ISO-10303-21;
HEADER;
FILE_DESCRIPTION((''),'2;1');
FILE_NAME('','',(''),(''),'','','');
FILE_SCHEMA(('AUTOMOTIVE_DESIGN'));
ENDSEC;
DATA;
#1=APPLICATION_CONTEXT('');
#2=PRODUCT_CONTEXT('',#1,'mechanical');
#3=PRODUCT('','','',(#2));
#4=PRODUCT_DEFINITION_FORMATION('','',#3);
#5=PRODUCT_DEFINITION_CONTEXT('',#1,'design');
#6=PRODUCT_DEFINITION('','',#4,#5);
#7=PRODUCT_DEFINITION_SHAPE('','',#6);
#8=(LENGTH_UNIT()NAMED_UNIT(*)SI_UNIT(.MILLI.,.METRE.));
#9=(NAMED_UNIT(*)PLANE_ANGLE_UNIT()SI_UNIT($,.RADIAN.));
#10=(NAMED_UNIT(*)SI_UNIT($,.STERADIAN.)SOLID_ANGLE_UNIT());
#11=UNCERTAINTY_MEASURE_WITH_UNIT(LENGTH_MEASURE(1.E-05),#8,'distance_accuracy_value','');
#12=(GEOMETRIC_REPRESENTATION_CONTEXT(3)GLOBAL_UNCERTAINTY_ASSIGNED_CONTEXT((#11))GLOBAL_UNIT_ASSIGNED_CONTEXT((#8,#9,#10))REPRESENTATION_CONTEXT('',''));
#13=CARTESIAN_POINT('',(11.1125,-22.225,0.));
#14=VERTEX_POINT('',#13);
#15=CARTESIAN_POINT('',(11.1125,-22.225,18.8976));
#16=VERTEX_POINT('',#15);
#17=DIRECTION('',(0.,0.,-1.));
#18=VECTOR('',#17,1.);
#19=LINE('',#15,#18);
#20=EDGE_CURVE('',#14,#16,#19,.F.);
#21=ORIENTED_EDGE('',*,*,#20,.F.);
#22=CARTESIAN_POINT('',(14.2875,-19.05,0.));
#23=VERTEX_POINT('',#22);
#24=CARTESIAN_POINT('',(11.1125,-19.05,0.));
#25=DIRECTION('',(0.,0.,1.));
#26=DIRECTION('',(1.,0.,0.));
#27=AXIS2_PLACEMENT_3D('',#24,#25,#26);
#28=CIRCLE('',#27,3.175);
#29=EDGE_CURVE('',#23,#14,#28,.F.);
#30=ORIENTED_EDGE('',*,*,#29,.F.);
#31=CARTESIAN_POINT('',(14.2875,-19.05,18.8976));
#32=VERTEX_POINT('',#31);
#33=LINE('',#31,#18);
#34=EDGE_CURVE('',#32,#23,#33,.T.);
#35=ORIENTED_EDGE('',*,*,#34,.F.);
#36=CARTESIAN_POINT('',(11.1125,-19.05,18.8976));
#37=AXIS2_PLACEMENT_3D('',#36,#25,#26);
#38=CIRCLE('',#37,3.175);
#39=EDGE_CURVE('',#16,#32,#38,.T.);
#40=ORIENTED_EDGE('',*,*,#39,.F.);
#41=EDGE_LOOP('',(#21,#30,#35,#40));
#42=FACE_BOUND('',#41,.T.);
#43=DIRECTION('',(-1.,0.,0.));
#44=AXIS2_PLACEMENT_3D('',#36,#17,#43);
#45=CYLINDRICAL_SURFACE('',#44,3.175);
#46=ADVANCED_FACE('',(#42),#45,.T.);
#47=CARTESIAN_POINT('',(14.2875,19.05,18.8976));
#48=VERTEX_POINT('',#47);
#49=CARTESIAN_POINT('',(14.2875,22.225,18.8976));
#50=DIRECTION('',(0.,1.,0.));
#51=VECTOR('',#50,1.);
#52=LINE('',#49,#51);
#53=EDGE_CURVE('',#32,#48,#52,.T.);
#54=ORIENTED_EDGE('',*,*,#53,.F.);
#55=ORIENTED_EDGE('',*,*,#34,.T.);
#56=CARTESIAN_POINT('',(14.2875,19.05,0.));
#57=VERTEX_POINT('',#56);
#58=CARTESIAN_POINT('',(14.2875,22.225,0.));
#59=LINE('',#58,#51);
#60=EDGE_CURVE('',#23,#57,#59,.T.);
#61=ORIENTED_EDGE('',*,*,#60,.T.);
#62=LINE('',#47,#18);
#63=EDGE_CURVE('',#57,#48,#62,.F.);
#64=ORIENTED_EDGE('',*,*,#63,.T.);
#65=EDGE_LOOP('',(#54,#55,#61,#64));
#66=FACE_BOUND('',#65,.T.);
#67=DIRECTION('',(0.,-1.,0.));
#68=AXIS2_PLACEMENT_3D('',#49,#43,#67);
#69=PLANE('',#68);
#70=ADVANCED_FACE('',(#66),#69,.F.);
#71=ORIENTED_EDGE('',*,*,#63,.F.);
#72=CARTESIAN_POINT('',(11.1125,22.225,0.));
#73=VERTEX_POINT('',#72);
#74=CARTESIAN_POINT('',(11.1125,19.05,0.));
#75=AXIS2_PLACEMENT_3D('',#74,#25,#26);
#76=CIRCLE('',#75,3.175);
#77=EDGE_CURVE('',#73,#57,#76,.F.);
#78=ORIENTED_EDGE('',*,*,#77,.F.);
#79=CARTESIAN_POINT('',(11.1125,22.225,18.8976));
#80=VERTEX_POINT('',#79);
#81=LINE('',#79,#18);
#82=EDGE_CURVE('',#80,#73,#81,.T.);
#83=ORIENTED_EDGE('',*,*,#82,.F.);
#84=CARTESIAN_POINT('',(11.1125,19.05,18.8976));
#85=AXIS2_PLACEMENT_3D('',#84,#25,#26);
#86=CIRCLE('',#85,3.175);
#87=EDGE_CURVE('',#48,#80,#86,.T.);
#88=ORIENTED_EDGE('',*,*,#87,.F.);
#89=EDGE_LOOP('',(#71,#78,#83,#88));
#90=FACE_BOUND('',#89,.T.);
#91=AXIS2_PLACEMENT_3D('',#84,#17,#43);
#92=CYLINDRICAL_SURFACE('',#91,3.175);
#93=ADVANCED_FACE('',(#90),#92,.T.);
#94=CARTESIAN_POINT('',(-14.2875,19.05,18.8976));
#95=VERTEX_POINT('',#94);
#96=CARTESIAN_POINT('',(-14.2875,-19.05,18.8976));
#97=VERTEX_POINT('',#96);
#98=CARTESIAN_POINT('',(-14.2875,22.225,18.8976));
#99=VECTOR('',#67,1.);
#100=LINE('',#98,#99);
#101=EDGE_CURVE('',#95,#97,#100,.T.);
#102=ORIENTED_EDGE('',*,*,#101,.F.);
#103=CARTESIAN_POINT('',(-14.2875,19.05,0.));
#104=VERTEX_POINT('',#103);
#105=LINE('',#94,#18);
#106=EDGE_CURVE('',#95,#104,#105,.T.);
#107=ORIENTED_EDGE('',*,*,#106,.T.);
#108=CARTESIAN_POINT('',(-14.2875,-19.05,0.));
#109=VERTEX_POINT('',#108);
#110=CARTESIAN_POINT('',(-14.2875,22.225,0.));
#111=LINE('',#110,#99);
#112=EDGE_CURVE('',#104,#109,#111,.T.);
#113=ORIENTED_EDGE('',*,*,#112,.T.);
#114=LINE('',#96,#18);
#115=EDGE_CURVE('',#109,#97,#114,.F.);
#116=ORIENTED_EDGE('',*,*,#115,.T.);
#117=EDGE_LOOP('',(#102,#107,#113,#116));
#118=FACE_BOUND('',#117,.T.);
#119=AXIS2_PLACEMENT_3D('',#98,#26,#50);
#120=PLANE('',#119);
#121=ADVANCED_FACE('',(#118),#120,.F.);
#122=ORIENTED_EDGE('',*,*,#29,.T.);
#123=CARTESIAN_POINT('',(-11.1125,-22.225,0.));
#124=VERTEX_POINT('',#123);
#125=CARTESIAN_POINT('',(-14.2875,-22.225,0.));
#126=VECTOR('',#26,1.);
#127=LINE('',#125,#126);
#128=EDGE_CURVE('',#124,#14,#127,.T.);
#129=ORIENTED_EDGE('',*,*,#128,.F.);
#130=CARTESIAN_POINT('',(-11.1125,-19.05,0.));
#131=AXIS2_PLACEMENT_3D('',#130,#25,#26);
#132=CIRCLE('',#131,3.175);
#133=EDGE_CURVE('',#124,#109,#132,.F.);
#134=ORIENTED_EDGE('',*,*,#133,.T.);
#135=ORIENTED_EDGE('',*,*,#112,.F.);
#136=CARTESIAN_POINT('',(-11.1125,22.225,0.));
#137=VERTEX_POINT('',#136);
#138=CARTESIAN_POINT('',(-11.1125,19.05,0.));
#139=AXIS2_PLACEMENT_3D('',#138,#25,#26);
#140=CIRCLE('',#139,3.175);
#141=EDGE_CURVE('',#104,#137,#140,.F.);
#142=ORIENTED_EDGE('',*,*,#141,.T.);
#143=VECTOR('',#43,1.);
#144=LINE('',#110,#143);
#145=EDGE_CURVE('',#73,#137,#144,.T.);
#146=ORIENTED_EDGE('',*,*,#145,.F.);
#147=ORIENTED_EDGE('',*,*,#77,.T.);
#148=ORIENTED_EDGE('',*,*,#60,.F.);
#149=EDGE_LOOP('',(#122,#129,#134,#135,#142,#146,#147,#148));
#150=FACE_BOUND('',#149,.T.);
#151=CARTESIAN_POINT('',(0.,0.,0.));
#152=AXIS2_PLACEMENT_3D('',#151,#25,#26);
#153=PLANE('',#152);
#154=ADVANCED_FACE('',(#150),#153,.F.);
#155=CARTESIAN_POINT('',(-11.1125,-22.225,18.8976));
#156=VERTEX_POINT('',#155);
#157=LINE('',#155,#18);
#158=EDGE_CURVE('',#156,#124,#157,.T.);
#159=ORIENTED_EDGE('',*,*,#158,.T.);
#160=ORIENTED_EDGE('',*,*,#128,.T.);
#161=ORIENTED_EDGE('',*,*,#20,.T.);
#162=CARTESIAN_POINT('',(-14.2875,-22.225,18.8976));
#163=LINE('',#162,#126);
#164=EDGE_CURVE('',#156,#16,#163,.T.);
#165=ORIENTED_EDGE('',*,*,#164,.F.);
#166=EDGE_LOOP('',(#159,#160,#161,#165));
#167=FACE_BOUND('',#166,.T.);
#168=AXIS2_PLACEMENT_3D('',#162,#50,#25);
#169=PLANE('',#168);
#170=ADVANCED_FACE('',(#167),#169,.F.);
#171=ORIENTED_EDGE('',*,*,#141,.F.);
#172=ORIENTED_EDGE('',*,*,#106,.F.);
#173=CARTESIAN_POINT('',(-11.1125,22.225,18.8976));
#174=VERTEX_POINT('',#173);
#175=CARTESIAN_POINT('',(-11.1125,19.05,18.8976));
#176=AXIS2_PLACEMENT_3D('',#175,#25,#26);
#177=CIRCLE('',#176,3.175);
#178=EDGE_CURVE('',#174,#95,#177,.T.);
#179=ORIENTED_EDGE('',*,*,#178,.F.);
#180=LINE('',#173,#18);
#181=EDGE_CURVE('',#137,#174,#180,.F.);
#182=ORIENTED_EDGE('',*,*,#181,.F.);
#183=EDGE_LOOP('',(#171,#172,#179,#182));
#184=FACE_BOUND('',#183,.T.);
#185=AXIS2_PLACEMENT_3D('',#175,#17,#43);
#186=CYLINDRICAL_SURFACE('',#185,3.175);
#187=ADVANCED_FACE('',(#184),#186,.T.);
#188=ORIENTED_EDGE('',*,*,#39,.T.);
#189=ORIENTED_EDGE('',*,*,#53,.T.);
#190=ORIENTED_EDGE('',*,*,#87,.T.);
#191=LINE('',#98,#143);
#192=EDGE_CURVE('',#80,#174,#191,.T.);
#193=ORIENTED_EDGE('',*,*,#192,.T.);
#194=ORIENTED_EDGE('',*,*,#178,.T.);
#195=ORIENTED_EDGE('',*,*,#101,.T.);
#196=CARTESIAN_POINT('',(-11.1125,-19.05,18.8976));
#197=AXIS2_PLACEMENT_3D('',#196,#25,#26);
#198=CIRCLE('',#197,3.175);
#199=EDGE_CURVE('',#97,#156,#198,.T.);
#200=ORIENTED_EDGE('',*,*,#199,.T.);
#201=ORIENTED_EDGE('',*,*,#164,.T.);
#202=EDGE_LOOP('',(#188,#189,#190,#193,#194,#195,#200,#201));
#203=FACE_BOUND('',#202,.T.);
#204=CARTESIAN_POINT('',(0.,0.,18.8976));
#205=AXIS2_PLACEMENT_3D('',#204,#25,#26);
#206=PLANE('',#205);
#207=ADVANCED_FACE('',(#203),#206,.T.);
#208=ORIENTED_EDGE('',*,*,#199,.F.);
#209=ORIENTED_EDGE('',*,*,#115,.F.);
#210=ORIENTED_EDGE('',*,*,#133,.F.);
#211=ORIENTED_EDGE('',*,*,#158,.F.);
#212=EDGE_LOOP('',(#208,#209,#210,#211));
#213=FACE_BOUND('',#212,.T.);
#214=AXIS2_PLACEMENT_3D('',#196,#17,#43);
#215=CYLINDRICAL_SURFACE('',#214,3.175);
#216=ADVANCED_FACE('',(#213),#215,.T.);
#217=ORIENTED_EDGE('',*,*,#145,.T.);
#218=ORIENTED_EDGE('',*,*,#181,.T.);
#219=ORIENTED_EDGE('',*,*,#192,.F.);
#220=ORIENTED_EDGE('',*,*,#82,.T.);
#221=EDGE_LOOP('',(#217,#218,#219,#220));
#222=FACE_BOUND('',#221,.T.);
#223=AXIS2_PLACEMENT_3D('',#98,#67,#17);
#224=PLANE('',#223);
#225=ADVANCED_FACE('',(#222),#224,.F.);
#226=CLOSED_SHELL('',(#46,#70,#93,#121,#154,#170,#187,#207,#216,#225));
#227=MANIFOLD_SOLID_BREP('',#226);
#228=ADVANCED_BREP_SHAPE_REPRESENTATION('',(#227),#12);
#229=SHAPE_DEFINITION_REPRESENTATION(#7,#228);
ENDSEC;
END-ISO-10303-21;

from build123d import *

# Parameters (mm, degrees)
SKETCH1_W           = 28.575
SKETCH1_H           = 44.45
BOSS_EXTRUDE1_DEPTH = 18.8976
FILLET1_R           = 3.175


with BuildPart() as part:
    # Sketch1 → Boss-Extrude1 (new body)
    with BuildSketch(Plane.XY):
        Rectangle(SKETCH1_W, SKETCH1_H)
    extrude(amount=BOSS_EXTRUDE1_DEPTH)

    # Fillet1
    fillet1_edges = [part.edges().sort_by_distance(p)[0] for p in [
        (14.2875, -22.225, 9.4488),
        (-14.2875, -22.225, 9.4488),
        (-14.2875, 22.225, 9.4488),
        (14.2875, 22.225, 9.4488),
    ]]
    fillet(fillet1_edges, radius=FILLET1_R)


solid = part.part
